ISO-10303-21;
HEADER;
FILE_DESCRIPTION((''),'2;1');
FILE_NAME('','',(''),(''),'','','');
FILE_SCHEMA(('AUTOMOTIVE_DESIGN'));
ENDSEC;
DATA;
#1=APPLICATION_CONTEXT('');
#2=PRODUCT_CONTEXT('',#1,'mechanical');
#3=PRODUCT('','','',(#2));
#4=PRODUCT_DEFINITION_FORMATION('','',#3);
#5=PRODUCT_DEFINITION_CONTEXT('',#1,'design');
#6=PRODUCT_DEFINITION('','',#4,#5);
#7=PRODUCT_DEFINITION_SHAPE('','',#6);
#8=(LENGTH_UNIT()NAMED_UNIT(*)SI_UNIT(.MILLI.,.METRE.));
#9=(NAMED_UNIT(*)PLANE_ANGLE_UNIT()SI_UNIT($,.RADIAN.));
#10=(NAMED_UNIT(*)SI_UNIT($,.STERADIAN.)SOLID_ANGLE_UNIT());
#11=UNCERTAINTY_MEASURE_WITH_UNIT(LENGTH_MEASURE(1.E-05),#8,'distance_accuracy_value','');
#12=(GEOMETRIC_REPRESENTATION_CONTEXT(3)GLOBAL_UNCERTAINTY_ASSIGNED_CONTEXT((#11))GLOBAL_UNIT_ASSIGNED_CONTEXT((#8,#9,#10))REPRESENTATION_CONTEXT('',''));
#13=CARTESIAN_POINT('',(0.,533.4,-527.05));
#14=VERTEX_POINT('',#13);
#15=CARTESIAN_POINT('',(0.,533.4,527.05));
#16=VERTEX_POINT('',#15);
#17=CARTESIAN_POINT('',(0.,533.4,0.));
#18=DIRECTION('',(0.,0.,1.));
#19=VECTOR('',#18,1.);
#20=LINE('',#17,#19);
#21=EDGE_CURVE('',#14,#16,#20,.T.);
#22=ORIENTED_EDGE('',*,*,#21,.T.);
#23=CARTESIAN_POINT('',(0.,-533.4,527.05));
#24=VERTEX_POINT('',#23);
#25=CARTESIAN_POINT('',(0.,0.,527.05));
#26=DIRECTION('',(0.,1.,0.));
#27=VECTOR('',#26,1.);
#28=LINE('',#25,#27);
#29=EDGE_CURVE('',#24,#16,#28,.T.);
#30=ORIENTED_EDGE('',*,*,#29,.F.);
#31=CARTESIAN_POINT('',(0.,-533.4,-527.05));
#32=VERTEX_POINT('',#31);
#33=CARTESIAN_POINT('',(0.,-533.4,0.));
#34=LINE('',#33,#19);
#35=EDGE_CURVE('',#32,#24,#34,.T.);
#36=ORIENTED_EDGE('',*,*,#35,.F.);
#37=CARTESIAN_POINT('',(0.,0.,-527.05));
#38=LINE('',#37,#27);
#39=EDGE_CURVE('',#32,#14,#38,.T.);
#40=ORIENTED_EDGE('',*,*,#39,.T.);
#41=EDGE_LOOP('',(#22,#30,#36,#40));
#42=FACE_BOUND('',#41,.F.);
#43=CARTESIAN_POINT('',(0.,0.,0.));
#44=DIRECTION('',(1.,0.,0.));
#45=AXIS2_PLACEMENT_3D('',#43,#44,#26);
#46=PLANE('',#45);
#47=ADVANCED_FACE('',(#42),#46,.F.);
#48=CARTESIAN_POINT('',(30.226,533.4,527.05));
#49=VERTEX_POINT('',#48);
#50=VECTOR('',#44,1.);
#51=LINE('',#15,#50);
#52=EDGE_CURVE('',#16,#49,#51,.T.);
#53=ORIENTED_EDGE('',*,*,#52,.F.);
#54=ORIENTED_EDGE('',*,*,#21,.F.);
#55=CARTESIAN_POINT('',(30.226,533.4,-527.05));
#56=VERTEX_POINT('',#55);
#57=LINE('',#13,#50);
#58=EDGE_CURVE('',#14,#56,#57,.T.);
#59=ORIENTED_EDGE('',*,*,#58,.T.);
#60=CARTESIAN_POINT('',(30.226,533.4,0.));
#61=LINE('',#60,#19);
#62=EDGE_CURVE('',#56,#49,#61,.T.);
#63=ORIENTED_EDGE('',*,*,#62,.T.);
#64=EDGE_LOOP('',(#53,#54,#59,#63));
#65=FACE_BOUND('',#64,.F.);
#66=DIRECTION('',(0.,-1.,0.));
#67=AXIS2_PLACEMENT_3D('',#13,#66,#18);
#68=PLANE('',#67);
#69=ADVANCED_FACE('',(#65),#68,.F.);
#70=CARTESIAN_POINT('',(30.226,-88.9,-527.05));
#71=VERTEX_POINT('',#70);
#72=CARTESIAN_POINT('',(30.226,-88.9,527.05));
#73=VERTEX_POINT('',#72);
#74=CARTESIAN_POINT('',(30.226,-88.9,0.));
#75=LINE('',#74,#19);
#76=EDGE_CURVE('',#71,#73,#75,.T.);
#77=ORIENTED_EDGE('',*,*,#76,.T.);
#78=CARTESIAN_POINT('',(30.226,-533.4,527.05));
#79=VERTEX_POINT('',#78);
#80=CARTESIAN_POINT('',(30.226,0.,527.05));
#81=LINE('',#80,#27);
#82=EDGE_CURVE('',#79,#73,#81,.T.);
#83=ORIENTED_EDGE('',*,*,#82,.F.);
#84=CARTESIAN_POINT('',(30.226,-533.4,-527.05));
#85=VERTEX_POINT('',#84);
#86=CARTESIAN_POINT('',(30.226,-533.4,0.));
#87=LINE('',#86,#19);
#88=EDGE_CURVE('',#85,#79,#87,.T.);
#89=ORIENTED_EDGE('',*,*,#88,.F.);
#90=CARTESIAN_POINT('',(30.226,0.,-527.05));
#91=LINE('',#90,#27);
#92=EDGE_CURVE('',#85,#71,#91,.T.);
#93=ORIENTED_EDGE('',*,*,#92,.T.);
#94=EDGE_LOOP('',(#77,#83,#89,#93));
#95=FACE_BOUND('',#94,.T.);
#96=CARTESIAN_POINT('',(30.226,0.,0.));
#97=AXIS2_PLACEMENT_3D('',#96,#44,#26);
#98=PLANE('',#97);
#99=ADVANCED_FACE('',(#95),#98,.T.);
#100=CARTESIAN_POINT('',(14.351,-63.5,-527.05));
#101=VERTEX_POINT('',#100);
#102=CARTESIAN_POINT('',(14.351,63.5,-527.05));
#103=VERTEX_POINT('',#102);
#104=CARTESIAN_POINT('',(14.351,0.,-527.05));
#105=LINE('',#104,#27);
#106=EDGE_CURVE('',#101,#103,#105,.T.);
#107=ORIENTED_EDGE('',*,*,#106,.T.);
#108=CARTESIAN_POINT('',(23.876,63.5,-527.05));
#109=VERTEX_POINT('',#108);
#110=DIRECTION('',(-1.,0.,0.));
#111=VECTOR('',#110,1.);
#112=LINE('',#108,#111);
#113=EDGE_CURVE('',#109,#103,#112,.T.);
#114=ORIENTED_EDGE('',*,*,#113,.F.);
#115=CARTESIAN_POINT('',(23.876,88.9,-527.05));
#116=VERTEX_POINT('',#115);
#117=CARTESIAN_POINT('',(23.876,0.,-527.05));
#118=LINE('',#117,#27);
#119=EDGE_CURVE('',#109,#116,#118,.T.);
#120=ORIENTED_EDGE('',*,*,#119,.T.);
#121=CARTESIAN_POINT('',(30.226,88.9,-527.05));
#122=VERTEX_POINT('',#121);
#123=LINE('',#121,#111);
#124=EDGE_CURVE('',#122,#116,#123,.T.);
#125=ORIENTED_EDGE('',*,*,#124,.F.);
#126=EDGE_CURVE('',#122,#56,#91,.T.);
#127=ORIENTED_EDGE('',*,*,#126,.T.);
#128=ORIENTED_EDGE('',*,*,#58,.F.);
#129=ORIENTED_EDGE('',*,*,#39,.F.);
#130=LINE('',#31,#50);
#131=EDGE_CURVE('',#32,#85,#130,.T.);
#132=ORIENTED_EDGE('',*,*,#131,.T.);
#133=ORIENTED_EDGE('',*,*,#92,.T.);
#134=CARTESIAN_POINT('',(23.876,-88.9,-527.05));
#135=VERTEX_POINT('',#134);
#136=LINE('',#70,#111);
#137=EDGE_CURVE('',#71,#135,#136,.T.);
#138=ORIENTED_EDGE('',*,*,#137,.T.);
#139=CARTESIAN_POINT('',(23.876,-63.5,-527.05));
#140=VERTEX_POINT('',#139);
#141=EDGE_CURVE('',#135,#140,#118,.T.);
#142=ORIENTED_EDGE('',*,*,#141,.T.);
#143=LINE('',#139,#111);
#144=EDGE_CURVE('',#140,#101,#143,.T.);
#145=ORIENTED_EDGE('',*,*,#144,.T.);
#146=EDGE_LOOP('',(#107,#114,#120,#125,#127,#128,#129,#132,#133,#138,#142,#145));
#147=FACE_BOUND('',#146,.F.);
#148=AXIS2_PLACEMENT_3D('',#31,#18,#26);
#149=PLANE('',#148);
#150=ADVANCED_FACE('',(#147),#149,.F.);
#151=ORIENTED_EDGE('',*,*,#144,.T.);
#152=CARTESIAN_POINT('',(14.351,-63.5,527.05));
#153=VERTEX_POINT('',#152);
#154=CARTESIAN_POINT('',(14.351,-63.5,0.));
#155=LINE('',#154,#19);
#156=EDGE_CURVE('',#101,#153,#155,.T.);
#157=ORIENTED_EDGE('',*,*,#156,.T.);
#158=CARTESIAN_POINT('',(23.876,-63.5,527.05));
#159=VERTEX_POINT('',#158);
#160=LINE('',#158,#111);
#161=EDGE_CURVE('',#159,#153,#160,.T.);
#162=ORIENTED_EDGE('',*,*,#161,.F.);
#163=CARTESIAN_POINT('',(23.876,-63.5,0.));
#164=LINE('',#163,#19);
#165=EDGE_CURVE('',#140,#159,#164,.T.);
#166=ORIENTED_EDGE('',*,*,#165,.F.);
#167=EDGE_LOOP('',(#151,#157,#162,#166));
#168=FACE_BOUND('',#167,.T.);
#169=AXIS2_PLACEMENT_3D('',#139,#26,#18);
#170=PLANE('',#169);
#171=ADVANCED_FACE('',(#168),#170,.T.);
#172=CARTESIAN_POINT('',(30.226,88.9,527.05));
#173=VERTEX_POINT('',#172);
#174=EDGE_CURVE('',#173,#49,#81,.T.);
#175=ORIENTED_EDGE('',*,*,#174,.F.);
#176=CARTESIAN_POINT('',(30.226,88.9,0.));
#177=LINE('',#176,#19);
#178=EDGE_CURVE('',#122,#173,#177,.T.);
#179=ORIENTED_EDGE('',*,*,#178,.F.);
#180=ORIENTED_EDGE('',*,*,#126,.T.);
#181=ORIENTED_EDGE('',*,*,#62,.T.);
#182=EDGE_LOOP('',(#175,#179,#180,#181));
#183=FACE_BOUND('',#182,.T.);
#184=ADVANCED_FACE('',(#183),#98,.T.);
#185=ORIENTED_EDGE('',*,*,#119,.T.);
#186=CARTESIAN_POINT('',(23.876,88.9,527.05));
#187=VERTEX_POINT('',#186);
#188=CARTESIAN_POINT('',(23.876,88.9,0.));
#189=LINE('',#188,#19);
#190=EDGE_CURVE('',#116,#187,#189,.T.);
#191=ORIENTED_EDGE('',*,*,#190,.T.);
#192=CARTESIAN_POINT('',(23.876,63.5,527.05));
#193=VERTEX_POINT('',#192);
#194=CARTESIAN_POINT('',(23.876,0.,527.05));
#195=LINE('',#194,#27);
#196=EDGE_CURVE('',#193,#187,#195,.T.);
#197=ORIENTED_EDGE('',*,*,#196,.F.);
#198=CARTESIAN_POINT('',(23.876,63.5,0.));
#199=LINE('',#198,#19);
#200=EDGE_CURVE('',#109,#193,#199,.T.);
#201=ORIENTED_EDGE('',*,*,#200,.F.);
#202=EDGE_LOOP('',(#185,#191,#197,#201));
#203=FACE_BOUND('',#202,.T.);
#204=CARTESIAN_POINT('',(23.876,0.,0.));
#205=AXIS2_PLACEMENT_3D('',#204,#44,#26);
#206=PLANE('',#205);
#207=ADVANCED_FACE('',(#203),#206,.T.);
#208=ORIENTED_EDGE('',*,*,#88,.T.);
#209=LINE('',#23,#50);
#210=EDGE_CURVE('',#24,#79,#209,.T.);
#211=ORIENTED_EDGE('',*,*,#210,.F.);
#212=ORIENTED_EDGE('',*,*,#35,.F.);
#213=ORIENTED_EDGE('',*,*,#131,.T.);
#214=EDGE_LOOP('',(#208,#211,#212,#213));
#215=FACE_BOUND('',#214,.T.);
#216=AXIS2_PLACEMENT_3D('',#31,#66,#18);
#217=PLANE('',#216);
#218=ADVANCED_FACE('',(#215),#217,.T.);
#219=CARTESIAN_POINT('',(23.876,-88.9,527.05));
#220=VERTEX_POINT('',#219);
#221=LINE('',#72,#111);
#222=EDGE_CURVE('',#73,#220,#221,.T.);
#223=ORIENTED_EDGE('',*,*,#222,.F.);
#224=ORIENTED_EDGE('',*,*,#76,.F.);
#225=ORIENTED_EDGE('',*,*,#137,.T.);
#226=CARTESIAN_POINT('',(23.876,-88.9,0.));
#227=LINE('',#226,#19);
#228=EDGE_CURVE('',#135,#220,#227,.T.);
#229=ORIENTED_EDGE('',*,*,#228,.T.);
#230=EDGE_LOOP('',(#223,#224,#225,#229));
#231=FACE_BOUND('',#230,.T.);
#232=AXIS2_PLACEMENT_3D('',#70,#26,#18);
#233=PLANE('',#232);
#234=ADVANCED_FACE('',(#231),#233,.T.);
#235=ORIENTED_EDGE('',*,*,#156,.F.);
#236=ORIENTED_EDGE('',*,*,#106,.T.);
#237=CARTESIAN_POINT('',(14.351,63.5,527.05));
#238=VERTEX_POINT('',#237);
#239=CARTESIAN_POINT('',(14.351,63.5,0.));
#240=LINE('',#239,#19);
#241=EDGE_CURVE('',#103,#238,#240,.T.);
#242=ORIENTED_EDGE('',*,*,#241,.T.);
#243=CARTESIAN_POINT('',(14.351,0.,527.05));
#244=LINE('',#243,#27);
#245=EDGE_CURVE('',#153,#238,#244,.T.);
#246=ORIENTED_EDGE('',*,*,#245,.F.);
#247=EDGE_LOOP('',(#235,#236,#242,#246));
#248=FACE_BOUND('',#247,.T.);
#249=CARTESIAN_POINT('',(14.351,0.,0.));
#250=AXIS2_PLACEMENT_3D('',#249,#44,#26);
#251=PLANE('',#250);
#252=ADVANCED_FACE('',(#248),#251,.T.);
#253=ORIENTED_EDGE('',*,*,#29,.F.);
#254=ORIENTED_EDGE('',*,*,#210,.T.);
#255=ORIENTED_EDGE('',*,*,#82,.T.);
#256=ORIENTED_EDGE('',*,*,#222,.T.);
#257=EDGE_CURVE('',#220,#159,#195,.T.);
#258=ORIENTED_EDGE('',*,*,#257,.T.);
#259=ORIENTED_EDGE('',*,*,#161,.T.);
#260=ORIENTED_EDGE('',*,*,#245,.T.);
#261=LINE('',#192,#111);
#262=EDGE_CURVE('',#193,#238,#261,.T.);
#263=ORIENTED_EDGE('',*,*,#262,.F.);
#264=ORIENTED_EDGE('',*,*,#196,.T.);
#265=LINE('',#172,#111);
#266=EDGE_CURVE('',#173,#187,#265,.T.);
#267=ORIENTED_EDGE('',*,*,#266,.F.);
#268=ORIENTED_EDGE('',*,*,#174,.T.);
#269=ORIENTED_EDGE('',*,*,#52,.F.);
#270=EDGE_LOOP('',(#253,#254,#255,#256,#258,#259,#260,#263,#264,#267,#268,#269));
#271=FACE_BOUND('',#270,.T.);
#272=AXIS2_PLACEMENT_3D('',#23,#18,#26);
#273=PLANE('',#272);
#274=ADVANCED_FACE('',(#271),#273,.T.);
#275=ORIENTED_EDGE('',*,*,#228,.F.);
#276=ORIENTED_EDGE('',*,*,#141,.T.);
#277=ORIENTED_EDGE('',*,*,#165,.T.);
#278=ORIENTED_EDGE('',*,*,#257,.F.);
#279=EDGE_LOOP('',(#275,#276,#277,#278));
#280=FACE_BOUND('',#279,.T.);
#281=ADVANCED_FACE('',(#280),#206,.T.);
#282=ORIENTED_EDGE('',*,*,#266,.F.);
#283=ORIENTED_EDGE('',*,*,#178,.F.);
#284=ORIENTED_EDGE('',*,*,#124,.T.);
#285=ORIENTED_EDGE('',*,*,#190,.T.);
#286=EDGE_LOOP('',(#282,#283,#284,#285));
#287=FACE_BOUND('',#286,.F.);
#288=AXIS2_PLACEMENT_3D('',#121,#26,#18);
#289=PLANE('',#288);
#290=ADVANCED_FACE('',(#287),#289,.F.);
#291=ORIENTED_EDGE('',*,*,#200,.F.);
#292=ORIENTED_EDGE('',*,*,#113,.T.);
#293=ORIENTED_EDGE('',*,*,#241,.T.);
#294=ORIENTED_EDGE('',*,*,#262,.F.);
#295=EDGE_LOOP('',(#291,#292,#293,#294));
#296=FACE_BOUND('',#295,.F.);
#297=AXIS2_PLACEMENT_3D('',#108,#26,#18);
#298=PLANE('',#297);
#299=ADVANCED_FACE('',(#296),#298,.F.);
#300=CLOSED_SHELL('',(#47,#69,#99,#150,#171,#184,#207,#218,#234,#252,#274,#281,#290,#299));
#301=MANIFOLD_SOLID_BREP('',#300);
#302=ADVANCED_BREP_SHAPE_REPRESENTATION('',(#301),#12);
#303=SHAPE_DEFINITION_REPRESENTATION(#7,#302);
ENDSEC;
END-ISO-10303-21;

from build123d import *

# Parameters (mm, degrees)
F0_W     = 1066.8
F0_H     = 1054.1
F1_DEPTH = 30.226
F2_W     = 177.8
F2_H     = 1054.1
F3_DEPTH = 6.35
F4_W     = 127
F4_H     = 1054.1
F5_DEPTH = 9.525


with BuildPart() as f1:
    # F0 (on Right) → F1 (new body)
    with BuildSketch(Plane.YZ):
        Rectangle(F0_W, F0_H)
    extrude(amount=F1_DEPTH)

    # F2 (on face) → F3 (cut)
    with BuildSketch(Plane.YZ.offset(30.226)):
        Rectangle(F2_W, F2_H)
    extrude(amount=-F3_DEPTH, mode=Mode.SUBTRACT)

    # F4 (on face) → F5 (cut)
    with BuildSketch(Plane.YZ.offset(23.876)):
        Rectangle(F4_W, F4_H)
    extrude(amount=-F5_DEPTH, mode=Mode.SUBTRACT)


solid = f1.part
